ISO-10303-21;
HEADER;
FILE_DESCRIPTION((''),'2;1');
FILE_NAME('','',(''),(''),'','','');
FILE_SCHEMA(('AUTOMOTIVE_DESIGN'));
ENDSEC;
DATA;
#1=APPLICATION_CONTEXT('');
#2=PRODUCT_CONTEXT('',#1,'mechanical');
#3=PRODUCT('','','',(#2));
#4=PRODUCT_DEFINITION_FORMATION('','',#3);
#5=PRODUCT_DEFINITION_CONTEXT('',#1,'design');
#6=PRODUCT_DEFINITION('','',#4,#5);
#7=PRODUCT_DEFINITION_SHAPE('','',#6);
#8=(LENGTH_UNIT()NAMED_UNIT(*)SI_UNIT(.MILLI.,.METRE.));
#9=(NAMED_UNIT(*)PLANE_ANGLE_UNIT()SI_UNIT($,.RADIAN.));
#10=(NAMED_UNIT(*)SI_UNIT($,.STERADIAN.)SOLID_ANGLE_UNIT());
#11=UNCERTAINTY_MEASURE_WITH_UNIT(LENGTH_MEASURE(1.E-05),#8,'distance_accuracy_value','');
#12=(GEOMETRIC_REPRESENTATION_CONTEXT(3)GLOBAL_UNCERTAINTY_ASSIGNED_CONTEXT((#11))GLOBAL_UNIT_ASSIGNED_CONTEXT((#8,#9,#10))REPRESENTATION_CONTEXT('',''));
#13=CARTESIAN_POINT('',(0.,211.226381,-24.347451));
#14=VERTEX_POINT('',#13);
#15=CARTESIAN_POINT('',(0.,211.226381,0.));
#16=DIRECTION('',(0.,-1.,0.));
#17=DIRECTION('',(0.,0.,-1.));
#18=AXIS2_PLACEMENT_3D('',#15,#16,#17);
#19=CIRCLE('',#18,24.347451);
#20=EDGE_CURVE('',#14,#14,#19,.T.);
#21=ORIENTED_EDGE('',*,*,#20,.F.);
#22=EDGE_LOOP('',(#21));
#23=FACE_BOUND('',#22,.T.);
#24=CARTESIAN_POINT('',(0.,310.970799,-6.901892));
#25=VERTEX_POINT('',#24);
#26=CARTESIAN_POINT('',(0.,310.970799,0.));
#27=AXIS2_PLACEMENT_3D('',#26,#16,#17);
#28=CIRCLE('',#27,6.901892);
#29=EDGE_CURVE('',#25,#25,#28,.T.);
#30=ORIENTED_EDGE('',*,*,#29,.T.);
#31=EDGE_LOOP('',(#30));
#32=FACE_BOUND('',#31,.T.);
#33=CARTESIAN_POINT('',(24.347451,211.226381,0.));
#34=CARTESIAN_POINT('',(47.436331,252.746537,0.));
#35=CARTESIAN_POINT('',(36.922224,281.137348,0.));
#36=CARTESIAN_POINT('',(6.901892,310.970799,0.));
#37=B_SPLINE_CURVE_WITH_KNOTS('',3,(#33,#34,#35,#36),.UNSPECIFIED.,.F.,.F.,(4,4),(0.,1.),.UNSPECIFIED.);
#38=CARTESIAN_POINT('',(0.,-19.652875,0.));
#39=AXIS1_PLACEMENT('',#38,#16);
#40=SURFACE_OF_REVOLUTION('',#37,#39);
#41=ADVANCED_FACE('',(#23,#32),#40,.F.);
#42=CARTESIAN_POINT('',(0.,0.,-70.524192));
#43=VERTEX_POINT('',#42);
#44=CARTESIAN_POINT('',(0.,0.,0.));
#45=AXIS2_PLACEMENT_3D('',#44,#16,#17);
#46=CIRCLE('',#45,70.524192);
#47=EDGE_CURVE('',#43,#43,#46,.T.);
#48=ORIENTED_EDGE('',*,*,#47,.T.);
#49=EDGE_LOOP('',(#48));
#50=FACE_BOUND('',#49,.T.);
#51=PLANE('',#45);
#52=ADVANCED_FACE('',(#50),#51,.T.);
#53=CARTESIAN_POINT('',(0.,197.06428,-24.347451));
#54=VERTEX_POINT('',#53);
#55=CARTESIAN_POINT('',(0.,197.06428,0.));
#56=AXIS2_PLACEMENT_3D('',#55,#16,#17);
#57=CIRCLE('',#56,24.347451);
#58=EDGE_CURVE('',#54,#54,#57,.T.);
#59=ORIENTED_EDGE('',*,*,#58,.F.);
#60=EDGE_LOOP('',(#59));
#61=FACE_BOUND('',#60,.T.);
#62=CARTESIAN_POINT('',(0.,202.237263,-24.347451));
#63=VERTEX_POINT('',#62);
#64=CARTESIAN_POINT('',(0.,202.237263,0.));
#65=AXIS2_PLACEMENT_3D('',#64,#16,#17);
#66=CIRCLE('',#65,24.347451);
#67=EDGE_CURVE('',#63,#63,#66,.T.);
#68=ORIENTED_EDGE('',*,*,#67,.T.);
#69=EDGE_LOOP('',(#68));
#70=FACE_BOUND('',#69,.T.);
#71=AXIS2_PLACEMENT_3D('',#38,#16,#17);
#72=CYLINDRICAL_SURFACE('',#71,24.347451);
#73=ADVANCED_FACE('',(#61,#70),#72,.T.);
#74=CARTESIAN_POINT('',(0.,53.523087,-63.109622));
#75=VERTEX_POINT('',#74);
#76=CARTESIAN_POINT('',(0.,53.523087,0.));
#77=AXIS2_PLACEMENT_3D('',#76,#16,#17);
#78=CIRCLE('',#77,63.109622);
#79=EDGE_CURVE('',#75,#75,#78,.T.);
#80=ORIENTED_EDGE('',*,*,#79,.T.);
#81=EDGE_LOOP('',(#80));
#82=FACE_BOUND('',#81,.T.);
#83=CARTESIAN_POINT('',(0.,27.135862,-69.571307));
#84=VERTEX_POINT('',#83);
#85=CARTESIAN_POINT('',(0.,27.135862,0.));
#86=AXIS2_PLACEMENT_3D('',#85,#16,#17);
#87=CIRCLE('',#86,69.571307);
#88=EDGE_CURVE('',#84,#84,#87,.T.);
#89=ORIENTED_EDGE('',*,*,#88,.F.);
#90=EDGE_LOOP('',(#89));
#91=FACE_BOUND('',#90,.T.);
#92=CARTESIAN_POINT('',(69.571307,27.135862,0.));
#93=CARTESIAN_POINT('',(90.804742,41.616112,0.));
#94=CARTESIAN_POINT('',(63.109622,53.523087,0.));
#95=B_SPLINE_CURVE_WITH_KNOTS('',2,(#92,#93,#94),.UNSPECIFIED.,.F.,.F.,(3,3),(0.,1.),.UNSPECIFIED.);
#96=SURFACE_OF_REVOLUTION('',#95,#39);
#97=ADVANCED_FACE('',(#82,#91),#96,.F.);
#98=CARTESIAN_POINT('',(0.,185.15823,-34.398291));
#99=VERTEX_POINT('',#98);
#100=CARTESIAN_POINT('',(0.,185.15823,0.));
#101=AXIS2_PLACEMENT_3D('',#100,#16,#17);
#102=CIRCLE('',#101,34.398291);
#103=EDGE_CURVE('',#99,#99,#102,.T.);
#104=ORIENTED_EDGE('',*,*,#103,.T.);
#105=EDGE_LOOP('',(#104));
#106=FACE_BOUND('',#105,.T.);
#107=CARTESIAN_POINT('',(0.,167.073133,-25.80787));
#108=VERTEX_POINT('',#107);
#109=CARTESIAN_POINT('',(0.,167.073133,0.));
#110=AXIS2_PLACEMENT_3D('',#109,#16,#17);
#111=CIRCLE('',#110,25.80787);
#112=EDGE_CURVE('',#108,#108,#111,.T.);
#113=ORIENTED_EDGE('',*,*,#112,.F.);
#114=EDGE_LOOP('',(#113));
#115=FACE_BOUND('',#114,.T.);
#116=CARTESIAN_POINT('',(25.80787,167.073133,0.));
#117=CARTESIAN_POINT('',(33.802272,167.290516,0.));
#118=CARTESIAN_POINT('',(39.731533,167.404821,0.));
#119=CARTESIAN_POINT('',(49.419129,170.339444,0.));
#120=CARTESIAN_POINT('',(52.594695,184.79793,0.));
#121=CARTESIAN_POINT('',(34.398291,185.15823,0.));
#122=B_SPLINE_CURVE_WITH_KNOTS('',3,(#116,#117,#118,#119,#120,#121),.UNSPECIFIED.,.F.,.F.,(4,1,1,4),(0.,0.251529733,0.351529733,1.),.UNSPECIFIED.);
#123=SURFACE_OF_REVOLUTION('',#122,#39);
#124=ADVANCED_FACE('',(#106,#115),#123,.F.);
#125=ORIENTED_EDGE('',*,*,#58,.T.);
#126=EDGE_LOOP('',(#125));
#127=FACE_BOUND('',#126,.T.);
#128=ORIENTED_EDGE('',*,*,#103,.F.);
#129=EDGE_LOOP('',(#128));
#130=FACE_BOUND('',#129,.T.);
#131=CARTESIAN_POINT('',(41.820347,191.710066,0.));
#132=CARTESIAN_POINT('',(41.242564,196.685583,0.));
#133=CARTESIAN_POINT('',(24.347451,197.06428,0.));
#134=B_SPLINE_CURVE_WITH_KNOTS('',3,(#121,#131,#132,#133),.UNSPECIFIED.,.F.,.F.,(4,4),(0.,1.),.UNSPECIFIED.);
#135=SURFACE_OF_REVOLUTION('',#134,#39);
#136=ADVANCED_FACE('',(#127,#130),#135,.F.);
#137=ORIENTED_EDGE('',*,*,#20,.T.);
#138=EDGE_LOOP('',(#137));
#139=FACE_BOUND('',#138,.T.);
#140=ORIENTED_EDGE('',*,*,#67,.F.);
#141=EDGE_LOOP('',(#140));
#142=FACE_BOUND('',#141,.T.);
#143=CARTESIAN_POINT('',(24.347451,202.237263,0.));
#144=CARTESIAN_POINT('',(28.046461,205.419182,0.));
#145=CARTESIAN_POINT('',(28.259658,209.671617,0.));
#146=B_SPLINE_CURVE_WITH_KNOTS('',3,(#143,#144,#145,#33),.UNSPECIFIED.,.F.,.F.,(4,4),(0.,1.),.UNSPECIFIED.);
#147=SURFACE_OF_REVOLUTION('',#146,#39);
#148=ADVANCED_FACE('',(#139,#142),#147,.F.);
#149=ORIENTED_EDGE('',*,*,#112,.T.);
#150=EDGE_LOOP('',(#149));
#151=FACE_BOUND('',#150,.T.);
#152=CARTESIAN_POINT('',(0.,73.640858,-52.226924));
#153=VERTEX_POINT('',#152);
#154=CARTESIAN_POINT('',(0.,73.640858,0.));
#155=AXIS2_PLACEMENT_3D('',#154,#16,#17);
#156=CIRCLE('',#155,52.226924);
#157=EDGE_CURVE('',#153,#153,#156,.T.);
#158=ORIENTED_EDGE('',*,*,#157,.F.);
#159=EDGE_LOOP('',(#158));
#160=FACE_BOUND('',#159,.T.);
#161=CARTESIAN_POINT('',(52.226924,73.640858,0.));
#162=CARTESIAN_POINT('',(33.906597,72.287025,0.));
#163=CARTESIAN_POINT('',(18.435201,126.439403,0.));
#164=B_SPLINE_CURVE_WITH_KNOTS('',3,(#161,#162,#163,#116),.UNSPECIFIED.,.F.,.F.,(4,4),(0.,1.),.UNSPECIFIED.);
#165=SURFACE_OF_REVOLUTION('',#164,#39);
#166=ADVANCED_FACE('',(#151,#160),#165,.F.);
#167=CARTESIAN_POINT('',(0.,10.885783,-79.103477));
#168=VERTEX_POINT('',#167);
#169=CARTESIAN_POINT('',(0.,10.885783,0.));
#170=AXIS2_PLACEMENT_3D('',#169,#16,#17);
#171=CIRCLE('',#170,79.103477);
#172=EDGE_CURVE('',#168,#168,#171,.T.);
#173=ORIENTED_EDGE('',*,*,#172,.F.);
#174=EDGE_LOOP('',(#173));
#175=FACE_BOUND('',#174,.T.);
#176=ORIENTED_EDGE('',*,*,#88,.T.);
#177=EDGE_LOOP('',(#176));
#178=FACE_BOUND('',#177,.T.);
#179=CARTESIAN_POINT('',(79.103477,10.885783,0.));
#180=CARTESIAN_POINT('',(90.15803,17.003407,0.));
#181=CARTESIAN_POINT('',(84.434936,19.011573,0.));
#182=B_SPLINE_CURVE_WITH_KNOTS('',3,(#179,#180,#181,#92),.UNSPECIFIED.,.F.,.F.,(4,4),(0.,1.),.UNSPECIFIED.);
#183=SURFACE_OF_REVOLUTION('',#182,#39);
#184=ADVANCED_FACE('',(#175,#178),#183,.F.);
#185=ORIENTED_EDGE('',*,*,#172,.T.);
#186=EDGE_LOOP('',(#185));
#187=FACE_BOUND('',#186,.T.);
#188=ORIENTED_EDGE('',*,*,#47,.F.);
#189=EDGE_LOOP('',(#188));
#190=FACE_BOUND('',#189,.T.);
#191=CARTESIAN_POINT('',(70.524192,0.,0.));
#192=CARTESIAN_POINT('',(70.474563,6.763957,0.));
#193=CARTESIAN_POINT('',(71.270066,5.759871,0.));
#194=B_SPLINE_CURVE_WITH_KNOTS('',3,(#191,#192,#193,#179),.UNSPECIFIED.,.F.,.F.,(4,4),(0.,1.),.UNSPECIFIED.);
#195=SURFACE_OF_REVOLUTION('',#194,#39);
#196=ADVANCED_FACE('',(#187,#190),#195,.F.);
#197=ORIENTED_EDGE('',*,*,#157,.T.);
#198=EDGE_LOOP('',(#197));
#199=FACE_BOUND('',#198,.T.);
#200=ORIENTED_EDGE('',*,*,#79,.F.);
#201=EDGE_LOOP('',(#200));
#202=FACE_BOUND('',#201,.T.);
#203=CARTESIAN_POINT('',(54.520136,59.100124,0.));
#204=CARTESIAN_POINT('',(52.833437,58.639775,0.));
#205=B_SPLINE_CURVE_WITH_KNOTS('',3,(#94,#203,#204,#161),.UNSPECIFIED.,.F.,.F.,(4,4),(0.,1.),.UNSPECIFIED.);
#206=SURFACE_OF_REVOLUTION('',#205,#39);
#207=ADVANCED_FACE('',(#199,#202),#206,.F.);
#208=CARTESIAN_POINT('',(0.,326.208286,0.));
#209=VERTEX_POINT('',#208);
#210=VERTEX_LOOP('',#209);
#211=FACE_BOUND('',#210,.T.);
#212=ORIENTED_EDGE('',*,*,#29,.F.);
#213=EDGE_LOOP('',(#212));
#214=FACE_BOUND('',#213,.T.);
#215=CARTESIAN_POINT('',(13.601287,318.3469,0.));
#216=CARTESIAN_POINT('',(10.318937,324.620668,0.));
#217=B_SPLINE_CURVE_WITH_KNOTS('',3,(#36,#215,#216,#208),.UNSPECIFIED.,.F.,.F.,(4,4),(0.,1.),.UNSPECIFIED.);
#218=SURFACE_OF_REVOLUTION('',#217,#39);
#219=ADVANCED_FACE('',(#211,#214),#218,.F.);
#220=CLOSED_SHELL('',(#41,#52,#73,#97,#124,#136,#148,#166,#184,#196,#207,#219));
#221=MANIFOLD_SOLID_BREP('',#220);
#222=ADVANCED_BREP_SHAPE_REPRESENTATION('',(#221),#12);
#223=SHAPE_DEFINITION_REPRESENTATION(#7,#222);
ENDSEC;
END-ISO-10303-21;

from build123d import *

# Parameters (mm, degrees)
SCALE1_SCALE = 0.5


with BuildPart() as part:
    # Sketch1 → Revolve1 (revolve)
    with BuildSketch(Plane.XY, mode=Mode.PRIVATE) as revolve1_sk:
        with BuildLine():
            Line((0, 0), (141.048383614, 0))
            add(Edge.make_bspline(
                [(141.048383614, 0), (140.949126619, 13.527914519), (142.54013241, 11.519741138), (158.206953499, 21.771565153)],
                knots=[0, 0, 0, 0, 1, 1, 1, 1], degree=3))
            add(Edge.make_bspline(
                [(158.206953499, 21.771565153), (180.316059438, 34.006813578), (168.869872315, 38.023146808), (139.142614218, 54.271724498)],
                knots=[0, 0, 0, 0, 1, 1, 1, 1], degree=3))
            add(Edge.make_bspline(
                [(139.142614218, 54.271724498), (181.609483302, 83.23222304), (126.219243593, 107.046173191)],
                knots=[0, 0, 0, 1, 1, 1], degree=2))
            add(Edge.make_bspline(
                [(126.219243593, 107.046173191), (109.040272384, 118.200248576), (105.666874286, 117.279550385), (104.45384876, 147.281715063)],
                knots=[0, 0, 0, 0, 1, 1, 1, 1], degree=3))
            add(Edge.make_bspline(
                [(104.45384876, 147.281715063), (67.813194478, 144.574050392), (36.870401404, 252.878806414), (51.615739464, 334.146266409)],
                knots=[0, 0, 0, 0, 1, 1, 1, 1], degree=3))
            add(Edge.make_bspline(
                [(51.615739464, 334.146266409), (67.604544069, 334.581032365), (79.463066726, 334.809642267), (98.838257313, 340.678887261), (105.189390965, 369.595859462), (68.796581204, 370.316459545)],
                knots=[0, 0, 0, 0, 0.251529733, 0.351529733, 1, 1, 1, 1], degree=3))
            add(Edge.make_bspline(
                [(68.796581204, 370.316459545), (83.640693367, 383.420132687), (82.485128513, 393.37116616), (48.69490146, 394.128560251)],
                knots=[0, 0, 0, 0, 1, 1, 1, 1], degree=3))
            Line((48.69490146, 394.128560251), (48.69490146, 404.474526267))
            add(Edge.make_bspline(
                [(48.69490146, 404.474526267), (56.092921427, 410.838363271), (56.519316297, 419.343233223), (48.69490146, 422.452762295)],
                knots=[0, 0, 0, 0, 1, 1, 1, 1], degree=3))
            add(Edge.make_bspline(
                [(48.69490146, 422.452762295), (94.872662122, 505.493073348), (73.84444889, 562.27469651), (13.803783918, 621.941598217)],
                knots=[0, 0, 0, 0, 1, 1, 1, 1], degree=3))
            add(Edge.make_bspline(
                [(13.803783918, 621.941598217), (27.20257307, 636.693800415), (20.637873115, 649.241336914), (0, 652.416572309)],
                knots=[0, 0, 0, 0, 1, 1, 1, 1], degree=3))
            Line((0, 652.416572309), (0, 0))
        make_face()
    revolve(revolve1_sk.sketch.rotate(Axis((0, -39.305749446, 0), (0, 1, 0)), 90), axis=Axis((0, -39.305749446, 0), (0, 1, 0)))


with BuildPart() as part_1:
    # Scale1: scaled about (0, 0, 0)
    add(part.part.scale(SCALE1_SCALE))


solid = part_1.part
